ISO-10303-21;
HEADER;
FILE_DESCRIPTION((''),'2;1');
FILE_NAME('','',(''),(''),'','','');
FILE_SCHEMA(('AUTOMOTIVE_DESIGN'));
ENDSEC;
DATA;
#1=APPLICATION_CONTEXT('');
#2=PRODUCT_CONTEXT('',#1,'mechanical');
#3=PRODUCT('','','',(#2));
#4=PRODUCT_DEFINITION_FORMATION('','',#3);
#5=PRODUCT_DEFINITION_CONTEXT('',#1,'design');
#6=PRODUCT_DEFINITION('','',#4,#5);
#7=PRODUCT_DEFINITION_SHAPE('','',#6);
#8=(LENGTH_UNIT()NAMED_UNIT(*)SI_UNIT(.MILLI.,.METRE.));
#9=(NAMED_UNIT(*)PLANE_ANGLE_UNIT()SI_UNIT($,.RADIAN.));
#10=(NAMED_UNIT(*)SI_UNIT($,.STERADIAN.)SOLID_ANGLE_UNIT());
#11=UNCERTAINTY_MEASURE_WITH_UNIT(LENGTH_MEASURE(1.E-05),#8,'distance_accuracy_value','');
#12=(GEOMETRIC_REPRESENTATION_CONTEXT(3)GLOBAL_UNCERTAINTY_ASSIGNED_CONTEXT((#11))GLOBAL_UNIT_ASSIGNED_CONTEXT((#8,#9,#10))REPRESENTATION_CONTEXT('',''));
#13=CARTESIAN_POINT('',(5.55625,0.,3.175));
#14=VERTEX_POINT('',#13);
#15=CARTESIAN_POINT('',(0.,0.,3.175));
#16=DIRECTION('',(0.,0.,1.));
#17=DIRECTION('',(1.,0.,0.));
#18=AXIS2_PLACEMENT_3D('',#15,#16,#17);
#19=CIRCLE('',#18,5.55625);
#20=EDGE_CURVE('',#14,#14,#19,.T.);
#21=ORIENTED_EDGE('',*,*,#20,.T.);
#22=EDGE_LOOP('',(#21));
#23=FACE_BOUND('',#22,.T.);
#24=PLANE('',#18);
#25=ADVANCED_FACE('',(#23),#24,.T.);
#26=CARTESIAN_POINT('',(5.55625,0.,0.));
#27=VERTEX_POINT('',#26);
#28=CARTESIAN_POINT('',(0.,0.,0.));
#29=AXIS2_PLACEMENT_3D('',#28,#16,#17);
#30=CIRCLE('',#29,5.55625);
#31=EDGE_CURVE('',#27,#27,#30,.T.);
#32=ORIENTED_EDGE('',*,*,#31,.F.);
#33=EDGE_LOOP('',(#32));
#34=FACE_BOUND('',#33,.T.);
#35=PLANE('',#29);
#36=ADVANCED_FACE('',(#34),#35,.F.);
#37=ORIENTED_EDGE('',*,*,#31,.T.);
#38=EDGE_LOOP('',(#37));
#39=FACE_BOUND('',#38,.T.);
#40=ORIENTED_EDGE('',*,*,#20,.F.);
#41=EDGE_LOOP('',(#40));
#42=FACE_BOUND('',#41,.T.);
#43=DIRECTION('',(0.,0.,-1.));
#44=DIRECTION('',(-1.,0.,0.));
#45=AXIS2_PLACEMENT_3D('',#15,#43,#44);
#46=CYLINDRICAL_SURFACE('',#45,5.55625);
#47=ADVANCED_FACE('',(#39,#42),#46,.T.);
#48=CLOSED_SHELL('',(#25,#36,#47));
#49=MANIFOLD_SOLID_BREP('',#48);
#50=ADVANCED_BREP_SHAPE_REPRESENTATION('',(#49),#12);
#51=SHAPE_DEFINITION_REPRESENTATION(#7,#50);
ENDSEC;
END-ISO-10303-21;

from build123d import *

# Parameters (mm, degrees)
SKETCH1_R           = 5.55625
BOSS_EXTRUDE1_DEPTH = 3.175


with BuildPart() as part:
    # Sketch1 → Boss-Extrude1 (new body)
    with BuildSketch(Plane.XY):
        Circle(SKETCH1_R)
    extrude(amount=BOSS_EXTRUDE1_DEPTH)


solid = part.part
